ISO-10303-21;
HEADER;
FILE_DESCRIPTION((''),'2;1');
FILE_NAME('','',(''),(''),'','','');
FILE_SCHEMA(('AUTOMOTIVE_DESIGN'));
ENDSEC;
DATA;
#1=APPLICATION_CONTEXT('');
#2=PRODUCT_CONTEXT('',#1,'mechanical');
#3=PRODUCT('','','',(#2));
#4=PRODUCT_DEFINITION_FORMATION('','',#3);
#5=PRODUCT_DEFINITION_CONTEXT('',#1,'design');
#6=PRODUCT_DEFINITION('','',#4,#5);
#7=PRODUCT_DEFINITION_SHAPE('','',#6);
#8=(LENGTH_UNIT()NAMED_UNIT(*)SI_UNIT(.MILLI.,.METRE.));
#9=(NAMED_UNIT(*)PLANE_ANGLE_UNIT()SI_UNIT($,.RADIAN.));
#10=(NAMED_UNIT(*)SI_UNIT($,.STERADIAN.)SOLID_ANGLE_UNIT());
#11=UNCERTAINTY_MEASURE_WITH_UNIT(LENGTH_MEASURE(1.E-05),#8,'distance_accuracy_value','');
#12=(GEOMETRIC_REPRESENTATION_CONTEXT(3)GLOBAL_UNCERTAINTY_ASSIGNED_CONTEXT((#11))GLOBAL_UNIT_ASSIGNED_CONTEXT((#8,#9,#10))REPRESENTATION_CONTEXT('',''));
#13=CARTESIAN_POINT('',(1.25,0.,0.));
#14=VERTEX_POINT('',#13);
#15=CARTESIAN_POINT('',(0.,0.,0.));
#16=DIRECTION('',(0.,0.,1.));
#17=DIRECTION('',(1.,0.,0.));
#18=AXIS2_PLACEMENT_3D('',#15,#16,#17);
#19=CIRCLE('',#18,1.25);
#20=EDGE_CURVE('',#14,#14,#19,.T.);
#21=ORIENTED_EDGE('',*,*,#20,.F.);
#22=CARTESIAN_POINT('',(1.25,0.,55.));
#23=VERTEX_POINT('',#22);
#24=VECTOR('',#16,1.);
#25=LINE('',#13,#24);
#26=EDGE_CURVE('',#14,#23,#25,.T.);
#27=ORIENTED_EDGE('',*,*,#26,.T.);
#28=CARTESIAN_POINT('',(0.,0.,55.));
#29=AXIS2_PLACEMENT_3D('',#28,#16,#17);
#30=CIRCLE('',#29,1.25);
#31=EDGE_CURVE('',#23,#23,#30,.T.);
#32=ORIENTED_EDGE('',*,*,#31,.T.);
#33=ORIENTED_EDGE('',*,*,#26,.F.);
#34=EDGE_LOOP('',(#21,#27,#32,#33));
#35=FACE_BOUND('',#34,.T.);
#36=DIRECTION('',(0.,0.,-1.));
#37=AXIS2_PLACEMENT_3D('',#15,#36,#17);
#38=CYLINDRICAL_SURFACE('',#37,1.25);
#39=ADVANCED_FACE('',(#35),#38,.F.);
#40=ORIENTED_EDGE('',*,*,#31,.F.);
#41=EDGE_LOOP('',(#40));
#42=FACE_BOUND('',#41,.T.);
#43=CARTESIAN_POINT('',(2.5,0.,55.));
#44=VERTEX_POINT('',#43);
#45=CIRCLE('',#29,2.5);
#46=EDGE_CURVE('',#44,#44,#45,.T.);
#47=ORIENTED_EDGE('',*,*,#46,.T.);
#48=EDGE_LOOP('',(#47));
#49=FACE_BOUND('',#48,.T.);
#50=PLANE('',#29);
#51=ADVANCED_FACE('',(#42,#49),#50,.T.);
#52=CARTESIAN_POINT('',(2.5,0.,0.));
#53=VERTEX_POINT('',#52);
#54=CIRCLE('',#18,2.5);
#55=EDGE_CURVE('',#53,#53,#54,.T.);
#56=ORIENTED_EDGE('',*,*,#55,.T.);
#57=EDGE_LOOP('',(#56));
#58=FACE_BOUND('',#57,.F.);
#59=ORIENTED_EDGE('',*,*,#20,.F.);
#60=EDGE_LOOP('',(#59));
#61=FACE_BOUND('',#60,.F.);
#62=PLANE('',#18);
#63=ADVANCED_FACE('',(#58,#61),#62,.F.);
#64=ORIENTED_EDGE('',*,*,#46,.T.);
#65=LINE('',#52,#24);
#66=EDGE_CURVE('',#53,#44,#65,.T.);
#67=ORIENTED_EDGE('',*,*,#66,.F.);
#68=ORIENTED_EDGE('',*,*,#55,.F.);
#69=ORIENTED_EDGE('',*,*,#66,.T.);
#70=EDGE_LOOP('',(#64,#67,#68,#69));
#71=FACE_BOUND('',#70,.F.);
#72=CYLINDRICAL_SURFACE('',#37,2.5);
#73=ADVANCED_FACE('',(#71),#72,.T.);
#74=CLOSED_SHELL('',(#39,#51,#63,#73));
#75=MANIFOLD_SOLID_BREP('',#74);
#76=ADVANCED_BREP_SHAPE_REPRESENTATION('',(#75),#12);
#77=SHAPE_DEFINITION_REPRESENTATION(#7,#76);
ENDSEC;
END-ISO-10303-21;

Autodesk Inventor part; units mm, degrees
ref_plane "YZ Plane" through (0, 0, 0) normal (1, 0, 0) x (0, 1, 0)
ref_plane "XZ Plane" through (0, 0, 0) normal (0, 1, 0) x (-1, 0, 0)
ref_plane "XY Plane" through (0, 0, 0) normal (0, 0, 1) x (1, 0, 0)
sketch "Sketch1" plane through (0, 0, 0) normal (0, 0, 1) x (1, 0, 0)
  circle A0 centre (0, 0) radius 1.25
  circle A1 centre (0, 0) radius 2.5
  dimension "d0" = 2.5
  dimension "d1" = 5
extrude "Extrusion1" add sketch "Sketch1" along normal blind 55
properties part number "HeadTube" material "Stainless Steel, Austenitic"
